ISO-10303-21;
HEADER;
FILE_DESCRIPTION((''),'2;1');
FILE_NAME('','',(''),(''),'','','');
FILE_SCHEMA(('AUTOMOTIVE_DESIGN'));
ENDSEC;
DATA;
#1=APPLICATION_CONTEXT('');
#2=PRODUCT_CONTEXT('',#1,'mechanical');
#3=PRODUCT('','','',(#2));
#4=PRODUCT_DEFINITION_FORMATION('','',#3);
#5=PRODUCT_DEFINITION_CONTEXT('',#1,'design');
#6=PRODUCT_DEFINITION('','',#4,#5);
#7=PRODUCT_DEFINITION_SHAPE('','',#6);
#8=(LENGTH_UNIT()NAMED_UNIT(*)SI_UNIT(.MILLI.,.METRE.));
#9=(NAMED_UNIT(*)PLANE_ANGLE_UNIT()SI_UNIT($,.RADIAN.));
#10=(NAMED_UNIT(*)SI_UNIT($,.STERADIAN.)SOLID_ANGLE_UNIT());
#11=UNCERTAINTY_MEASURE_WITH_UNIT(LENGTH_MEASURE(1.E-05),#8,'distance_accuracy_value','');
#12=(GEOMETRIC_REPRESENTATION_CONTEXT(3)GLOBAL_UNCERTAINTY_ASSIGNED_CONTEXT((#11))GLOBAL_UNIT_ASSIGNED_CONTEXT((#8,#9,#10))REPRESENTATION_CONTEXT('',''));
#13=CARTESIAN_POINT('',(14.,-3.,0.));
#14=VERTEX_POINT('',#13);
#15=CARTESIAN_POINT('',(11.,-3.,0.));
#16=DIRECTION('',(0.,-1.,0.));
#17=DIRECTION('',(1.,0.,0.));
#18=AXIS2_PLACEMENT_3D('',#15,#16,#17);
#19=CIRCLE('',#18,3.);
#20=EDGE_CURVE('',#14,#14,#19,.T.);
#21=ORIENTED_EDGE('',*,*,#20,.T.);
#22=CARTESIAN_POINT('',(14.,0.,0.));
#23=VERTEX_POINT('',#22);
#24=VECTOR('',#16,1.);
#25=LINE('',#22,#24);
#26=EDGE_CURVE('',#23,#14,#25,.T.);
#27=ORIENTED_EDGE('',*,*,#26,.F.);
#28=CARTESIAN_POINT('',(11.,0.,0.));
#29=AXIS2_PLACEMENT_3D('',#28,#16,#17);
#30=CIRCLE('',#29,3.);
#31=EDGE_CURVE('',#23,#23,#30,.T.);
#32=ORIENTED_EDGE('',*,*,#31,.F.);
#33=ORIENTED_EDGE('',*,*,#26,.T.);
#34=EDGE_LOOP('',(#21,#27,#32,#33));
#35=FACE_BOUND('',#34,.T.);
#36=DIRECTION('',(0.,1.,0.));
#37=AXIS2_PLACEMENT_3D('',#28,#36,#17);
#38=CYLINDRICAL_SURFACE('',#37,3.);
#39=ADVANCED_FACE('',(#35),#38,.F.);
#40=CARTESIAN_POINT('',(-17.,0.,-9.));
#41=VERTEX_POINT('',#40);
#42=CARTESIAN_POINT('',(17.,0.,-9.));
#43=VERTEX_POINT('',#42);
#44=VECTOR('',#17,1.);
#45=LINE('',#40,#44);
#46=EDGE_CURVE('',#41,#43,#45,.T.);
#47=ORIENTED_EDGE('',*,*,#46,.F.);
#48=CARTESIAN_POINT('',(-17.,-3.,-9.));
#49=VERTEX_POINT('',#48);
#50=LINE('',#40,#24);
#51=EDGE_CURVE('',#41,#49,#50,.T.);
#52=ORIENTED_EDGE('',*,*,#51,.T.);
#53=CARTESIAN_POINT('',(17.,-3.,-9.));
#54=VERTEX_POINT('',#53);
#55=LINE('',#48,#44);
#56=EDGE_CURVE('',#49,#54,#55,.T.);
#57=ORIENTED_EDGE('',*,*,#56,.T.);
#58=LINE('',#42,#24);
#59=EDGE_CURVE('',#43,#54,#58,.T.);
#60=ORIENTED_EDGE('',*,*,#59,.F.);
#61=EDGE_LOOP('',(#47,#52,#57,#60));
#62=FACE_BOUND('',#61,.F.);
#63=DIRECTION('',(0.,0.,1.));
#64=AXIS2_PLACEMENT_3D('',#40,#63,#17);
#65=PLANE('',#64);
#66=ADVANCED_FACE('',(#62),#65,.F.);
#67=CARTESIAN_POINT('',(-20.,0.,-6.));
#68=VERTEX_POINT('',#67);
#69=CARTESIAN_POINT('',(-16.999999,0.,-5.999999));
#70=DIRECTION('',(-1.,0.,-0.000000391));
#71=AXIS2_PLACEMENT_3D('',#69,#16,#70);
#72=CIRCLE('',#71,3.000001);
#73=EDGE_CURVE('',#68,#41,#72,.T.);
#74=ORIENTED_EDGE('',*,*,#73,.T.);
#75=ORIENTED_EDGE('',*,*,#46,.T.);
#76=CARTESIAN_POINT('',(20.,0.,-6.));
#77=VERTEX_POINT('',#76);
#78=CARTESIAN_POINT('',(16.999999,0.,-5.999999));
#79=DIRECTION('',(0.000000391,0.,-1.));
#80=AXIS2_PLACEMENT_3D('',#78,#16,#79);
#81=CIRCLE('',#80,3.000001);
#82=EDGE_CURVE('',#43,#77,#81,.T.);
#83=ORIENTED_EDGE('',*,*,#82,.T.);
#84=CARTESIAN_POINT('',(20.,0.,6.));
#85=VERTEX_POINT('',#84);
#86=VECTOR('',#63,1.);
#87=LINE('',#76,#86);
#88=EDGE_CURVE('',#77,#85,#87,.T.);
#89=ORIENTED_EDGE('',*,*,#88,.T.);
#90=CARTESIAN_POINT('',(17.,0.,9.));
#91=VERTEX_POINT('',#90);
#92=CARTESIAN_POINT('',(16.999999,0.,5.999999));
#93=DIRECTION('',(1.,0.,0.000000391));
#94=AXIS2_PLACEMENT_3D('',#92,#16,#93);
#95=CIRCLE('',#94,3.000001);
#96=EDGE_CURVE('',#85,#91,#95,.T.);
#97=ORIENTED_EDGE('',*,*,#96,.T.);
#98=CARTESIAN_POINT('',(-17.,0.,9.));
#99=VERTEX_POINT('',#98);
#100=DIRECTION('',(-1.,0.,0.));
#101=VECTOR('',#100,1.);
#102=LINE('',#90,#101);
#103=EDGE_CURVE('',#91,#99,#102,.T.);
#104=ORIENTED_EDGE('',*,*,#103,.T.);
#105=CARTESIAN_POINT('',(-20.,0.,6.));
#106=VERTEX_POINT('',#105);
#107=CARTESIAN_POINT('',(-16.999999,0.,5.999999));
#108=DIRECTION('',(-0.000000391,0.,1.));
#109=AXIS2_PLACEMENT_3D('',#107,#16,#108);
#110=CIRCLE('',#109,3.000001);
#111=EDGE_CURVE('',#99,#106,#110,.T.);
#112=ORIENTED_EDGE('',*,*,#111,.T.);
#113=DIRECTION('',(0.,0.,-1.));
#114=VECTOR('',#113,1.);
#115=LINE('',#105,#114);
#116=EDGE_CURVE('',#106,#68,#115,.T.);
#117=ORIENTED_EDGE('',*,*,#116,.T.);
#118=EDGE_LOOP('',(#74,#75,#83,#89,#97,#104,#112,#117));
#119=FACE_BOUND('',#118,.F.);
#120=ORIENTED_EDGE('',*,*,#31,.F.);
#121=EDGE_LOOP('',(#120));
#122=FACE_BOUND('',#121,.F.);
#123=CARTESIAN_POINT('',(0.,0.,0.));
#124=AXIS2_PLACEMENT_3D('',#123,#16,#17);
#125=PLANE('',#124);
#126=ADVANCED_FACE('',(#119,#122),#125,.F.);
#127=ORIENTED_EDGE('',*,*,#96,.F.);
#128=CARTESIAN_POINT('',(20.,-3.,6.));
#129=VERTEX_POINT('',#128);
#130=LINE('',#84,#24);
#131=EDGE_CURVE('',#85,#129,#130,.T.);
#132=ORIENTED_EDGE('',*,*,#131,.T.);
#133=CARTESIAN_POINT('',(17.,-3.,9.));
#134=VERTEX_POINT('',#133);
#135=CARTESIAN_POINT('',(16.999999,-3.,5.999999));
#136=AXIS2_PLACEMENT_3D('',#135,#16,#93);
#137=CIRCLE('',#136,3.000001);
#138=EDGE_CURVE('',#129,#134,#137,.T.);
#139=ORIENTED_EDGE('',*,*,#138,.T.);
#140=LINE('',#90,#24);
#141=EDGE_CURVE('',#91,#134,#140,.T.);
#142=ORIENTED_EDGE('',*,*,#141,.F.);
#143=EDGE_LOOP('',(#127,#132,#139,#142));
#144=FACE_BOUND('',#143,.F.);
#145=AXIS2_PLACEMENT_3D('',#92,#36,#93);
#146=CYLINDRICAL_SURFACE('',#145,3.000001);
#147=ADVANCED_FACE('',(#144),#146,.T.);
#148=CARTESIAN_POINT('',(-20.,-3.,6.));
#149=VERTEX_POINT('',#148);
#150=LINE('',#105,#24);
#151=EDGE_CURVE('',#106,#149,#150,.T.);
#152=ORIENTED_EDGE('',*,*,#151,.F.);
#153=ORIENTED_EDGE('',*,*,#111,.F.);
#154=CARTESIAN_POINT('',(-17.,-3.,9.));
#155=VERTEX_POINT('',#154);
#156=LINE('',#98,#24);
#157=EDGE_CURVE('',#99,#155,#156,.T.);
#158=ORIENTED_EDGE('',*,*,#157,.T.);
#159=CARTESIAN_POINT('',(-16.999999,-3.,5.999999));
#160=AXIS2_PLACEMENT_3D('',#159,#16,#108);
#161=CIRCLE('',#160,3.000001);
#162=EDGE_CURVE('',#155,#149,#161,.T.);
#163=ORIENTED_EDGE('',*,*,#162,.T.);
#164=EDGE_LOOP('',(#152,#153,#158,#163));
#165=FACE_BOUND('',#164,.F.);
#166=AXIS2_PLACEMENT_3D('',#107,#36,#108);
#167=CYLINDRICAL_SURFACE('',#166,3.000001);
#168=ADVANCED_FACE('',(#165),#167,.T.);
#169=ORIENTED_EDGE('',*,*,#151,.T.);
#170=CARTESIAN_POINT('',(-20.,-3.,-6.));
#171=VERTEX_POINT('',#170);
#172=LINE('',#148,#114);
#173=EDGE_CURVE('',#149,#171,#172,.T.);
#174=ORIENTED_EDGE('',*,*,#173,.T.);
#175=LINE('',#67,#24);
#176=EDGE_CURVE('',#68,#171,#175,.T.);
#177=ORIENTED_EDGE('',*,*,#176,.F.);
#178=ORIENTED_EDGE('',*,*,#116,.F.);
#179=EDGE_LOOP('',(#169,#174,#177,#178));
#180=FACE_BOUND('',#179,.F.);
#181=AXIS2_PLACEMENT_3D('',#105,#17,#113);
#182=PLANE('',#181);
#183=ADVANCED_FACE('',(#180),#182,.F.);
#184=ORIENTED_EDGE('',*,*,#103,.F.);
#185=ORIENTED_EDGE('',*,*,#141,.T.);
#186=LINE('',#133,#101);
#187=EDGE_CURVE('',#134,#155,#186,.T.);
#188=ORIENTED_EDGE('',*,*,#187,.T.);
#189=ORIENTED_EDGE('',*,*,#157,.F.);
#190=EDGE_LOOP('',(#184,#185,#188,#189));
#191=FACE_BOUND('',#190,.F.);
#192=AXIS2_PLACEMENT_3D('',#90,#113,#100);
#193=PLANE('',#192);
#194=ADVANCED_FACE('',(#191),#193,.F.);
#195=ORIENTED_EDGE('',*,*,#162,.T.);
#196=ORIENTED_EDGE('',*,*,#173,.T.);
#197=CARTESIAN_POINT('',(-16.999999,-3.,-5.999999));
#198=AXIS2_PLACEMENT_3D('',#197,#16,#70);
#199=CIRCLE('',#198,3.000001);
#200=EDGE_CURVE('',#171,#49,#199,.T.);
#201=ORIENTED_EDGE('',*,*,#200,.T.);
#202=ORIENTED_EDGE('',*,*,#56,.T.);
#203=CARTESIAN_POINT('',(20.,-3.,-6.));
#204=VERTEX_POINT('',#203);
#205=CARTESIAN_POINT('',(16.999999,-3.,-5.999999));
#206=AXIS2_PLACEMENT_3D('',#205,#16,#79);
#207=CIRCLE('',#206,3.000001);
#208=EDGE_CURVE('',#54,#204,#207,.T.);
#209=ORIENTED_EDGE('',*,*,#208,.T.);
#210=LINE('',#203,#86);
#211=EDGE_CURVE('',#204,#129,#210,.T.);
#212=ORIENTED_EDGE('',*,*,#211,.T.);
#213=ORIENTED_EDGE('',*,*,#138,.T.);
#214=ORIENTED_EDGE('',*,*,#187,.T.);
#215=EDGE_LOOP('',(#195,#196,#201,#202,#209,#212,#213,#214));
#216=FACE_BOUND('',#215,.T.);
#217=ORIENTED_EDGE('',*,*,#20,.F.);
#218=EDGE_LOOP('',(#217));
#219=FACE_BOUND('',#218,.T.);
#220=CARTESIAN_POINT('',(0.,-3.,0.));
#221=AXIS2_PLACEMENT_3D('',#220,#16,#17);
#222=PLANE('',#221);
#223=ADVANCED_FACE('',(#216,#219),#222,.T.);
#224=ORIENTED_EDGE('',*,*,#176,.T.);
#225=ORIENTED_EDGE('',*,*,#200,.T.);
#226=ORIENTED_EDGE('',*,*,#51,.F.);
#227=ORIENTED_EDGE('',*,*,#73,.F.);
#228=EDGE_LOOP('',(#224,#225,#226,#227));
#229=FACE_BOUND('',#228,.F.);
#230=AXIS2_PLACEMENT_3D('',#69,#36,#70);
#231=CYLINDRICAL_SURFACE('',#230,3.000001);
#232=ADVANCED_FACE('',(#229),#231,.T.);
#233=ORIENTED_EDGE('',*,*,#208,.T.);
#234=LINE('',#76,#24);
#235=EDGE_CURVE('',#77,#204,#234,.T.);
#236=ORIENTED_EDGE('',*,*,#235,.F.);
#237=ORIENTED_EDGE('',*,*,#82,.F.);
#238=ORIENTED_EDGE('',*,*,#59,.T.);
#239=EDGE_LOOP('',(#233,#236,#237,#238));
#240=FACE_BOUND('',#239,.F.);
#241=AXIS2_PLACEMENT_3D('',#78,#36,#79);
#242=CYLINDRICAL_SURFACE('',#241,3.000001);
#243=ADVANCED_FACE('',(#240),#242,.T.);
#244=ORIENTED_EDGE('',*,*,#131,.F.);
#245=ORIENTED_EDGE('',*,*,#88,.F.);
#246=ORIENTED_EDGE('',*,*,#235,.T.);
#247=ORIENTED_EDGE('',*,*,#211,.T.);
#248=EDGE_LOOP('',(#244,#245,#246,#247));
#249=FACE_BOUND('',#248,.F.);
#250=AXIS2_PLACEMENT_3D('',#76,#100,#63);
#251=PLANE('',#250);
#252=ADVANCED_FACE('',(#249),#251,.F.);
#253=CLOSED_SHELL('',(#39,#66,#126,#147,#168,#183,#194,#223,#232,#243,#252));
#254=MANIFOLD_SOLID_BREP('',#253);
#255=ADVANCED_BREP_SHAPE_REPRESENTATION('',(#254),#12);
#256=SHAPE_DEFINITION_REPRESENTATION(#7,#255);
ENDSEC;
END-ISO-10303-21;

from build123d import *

# Parameters (mm, degrees)
F0_R     = 3
F1_DEPTH = 3


with BuildPart() as f1:
    # F0 (on Front) → F1 (new body)
    with BuildSketch(Plane.XZ):
        with BuildLine():
            Line((-17, -9), (17, -9))
            ThreePointArc((17, -9), (19.12132, -8.12132), (20, -6))
            Line((20, -6), (20, 6))
            ThreePointArc((20, 6), (19.12132, 8.12132), (17, 9))
            Line((17, 9), (-17, 9))
            ThreePointArc((-17, 9), (-19.12132, 8.12132), (-20, 6))
            Line((-20, 6), (-20, -6))
            ThreePointArc((-20, -6), (-19.12132, -8.12132), (-17, -9))
        make_face()
        with Locations((11, 0)):
            Circle(F0_R, mode=Mode.SUBTRACT)
    extrude(amount=F1_DEPTH)


solid = f1.part
